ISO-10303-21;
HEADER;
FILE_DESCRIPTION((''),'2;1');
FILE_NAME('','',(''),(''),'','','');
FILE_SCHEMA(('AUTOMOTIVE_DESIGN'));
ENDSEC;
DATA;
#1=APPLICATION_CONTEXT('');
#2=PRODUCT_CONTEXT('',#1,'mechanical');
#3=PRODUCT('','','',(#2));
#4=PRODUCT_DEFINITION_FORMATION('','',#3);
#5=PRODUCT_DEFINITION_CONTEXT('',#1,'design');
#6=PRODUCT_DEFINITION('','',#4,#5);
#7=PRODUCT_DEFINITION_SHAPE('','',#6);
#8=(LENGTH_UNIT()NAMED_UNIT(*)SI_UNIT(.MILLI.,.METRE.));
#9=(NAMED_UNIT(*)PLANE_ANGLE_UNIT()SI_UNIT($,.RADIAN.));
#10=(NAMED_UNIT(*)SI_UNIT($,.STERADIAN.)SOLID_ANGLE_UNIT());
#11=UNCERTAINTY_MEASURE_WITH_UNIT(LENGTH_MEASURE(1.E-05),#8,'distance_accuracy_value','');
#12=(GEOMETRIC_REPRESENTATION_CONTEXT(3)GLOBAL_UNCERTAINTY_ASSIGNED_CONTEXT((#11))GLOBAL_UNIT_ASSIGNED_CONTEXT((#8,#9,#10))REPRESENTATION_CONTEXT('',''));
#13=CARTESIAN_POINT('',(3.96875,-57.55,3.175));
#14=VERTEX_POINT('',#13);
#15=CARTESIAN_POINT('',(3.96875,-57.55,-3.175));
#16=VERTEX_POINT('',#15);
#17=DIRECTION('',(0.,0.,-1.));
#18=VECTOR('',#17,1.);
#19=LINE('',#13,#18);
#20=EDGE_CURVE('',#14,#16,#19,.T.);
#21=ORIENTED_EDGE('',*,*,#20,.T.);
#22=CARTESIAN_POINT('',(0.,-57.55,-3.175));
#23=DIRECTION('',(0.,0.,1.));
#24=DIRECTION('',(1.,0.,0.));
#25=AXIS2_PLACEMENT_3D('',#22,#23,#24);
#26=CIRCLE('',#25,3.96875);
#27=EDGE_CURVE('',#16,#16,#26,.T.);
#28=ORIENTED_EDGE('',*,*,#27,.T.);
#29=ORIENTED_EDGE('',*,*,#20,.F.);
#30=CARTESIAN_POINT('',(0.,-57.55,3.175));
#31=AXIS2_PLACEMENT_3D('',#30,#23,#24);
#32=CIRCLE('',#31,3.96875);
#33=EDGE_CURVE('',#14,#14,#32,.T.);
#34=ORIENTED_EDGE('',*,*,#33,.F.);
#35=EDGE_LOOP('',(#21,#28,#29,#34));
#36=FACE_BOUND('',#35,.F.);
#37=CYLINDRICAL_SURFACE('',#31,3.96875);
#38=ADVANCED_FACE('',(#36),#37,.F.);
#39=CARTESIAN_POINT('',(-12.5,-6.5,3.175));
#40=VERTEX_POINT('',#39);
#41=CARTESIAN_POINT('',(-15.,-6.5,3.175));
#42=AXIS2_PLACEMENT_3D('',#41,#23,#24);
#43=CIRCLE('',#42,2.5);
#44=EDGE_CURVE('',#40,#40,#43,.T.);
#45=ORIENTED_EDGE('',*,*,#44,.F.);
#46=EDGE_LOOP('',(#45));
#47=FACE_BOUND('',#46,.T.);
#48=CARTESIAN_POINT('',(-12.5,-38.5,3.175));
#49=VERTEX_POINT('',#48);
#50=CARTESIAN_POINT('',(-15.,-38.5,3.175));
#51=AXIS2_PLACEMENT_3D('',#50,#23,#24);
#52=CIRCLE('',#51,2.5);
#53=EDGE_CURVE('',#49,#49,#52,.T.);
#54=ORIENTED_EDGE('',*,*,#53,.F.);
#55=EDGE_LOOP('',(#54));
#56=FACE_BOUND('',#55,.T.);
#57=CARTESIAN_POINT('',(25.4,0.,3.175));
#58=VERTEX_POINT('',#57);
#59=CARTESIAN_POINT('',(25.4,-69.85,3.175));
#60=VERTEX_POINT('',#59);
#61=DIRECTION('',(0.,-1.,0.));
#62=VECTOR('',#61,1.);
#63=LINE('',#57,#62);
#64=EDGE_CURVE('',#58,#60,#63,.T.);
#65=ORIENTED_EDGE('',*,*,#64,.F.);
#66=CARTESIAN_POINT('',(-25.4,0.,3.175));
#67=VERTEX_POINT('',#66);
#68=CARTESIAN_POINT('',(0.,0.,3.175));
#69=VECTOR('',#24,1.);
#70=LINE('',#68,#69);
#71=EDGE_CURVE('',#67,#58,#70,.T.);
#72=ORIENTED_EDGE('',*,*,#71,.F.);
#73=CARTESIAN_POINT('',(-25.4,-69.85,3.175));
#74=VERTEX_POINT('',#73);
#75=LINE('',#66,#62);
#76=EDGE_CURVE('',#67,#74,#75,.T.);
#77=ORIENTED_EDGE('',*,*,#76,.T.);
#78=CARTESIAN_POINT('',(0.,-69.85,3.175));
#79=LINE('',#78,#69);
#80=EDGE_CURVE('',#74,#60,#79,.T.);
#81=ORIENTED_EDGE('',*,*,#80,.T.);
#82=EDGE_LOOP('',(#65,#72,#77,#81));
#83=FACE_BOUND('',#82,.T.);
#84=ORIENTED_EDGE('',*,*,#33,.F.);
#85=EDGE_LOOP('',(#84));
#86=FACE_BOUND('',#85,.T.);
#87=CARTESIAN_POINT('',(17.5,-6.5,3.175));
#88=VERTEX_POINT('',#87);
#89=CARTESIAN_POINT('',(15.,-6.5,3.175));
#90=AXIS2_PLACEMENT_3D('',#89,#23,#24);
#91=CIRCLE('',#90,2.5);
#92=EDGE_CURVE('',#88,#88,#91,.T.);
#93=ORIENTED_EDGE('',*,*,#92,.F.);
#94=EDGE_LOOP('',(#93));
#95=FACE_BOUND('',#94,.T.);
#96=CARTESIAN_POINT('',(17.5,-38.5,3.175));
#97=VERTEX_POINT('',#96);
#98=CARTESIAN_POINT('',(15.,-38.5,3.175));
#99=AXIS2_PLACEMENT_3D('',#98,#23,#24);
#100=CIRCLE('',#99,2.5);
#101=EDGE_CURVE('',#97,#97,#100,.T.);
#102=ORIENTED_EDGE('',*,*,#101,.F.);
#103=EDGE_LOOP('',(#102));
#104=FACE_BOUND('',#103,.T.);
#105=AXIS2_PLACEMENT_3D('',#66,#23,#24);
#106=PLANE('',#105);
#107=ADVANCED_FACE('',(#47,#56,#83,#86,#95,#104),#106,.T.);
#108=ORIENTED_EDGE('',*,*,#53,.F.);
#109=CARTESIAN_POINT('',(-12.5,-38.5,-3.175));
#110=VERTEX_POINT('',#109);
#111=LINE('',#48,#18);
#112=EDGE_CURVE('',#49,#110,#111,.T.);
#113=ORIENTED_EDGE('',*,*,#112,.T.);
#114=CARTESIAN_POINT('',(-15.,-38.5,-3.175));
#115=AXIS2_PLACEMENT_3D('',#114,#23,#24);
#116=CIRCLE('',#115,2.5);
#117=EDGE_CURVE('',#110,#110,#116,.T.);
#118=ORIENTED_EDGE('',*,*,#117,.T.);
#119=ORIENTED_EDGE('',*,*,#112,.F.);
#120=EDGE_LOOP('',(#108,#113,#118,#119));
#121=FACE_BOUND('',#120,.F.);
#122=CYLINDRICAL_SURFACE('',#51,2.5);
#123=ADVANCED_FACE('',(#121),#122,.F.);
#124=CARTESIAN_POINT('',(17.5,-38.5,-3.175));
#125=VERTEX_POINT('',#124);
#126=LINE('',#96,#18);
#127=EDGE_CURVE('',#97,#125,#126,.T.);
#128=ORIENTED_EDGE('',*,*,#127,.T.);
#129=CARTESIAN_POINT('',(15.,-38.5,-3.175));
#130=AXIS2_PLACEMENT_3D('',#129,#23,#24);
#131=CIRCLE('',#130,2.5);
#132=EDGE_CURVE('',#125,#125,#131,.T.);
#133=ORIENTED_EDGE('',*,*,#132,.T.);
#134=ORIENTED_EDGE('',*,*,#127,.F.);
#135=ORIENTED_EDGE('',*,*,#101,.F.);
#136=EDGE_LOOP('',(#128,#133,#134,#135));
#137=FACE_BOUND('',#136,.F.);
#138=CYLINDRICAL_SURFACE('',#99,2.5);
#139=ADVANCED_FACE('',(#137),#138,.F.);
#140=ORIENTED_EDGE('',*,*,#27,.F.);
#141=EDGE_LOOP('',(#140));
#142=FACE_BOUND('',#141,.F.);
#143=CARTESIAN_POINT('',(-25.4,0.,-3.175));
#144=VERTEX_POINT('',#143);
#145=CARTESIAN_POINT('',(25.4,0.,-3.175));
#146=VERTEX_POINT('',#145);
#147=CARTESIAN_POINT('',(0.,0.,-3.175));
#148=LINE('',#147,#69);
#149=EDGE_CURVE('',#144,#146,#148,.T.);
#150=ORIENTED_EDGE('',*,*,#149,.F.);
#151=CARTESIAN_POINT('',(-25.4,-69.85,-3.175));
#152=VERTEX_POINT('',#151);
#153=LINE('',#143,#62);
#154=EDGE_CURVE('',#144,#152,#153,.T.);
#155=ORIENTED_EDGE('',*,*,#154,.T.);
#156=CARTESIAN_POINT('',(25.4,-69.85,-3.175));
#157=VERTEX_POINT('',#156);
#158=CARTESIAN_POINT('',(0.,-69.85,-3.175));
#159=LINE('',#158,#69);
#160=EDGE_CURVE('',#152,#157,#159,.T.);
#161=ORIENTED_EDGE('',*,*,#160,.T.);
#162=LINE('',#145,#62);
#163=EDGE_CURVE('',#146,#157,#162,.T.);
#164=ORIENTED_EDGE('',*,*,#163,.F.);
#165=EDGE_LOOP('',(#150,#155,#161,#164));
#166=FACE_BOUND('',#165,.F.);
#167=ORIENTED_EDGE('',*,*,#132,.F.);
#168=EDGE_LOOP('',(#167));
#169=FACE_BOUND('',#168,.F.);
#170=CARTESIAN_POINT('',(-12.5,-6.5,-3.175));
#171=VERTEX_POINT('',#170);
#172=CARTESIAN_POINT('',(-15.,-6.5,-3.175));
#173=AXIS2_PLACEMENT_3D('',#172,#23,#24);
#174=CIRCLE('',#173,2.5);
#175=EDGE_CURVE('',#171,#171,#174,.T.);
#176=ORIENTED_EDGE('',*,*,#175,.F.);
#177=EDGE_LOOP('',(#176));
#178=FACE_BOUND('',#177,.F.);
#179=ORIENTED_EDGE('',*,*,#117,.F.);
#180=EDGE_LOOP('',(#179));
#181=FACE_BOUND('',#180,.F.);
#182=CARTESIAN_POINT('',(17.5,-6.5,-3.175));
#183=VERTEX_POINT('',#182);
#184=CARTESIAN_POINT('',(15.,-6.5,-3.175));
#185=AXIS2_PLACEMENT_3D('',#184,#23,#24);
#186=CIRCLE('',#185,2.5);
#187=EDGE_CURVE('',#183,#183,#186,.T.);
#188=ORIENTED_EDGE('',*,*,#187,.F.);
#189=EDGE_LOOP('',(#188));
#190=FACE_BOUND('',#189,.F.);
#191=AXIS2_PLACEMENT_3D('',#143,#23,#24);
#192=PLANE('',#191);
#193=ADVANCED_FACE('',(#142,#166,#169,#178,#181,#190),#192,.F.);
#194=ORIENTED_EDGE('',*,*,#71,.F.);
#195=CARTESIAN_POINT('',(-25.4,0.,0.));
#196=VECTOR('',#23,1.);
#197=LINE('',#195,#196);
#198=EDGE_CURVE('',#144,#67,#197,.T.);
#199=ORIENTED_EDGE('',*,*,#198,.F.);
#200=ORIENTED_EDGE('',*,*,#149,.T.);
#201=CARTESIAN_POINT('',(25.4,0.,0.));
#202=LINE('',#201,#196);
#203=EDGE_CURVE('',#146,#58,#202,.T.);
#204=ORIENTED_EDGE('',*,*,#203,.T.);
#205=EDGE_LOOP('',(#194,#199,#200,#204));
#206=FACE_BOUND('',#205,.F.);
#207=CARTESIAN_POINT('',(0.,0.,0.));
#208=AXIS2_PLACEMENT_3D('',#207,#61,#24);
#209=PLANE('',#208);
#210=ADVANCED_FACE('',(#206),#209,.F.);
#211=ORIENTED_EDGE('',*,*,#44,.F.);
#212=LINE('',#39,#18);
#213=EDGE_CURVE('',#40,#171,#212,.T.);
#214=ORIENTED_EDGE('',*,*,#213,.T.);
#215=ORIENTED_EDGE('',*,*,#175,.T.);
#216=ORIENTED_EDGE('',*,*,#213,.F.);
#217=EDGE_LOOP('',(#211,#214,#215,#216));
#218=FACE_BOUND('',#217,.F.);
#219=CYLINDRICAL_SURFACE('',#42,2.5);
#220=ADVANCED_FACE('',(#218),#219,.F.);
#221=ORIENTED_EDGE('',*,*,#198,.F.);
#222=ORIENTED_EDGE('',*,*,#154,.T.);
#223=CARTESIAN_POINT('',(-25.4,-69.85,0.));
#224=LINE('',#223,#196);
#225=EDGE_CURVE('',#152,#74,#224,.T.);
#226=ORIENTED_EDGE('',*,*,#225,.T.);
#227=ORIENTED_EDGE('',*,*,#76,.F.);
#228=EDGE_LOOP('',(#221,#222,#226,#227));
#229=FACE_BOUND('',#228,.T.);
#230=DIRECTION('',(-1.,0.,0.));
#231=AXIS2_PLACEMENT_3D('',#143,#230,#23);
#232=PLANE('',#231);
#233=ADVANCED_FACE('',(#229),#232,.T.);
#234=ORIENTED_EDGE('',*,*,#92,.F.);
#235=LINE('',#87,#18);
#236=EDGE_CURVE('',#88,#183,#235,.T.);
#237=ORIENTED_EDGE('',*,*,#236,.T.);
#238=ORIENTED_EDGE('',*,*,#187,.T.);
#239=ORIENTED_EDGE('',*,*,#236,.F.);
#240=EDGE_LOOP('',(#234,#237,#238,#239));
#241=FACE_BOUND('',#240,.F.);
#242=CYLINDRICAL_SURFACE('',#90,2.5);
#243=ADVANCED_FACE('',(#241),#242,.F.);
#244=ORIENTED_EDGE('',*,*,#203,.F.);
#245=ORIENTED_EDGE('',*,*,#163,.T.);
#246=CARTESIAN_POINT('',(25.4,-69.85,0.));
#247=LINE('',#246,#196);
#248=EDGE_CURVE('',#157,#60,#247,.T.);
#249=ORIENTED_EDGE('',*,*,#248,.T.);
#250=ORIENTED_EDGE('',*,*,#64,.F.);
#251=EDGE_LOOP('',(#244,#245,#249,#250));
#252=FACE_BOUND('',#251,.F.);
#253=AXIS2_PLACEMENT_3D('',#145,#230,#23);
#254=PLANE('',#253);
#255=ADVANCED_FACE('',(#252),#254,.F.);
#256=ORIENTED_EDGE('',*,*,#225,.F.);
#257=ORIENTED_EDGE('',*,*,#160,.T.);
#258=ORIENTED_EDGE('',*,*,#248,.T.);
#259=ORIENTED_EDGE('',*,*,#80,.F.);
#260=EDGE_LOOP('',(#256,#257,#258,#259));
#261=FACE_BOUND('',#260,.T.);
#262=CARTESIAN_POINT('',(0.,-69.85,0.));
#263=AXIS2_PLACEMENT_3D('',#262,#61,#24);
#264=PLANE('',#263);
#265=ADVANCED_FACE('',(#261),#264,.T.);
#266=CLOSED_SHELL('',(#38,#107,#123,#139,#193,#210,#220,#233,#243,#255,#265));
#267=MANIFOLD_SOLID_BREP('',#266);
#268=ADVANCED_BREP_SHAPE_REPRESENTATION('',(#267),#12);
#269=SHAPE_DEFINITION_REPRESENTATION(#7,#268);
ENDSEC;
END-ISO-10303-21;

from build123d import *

# Parameters (mm, degrees)
F0_W     = 50.8
F0_H     = 6.35
F1_DEPTH = 69.85
F2_R     = 2.5
F2_R_2   = 3.96875
F3_DEPTH = 6.351


with BuildPart() as f1:
    # F0 (on Front) → F1 (new body)
    with BuildSketch(Plane.XZ):
        Rectangle(F0_W, F0_H)
    extrude(amount=F1_DEPTH)

    # F2 (on face) → F3 (cut, through all)
    with BuildSketch(Plane.XY.offset(3.175)):
        with Locations((-15, -38.5)):
            Circle(F2_R)
        with Locations((15, -38.5)):
            Circle(F2_R)
        with Locations((15, -6.5)):
            Circle(F2_R)
        with Locations((-15, -6.5)):
            Circle(F2_R)
        with Locations((0, -57.55)):
            Circle(F2_R_2)
    extrude(amount=-F3_DEPTH, mode=Mode.SUBTRACT)


solid = f1.part
